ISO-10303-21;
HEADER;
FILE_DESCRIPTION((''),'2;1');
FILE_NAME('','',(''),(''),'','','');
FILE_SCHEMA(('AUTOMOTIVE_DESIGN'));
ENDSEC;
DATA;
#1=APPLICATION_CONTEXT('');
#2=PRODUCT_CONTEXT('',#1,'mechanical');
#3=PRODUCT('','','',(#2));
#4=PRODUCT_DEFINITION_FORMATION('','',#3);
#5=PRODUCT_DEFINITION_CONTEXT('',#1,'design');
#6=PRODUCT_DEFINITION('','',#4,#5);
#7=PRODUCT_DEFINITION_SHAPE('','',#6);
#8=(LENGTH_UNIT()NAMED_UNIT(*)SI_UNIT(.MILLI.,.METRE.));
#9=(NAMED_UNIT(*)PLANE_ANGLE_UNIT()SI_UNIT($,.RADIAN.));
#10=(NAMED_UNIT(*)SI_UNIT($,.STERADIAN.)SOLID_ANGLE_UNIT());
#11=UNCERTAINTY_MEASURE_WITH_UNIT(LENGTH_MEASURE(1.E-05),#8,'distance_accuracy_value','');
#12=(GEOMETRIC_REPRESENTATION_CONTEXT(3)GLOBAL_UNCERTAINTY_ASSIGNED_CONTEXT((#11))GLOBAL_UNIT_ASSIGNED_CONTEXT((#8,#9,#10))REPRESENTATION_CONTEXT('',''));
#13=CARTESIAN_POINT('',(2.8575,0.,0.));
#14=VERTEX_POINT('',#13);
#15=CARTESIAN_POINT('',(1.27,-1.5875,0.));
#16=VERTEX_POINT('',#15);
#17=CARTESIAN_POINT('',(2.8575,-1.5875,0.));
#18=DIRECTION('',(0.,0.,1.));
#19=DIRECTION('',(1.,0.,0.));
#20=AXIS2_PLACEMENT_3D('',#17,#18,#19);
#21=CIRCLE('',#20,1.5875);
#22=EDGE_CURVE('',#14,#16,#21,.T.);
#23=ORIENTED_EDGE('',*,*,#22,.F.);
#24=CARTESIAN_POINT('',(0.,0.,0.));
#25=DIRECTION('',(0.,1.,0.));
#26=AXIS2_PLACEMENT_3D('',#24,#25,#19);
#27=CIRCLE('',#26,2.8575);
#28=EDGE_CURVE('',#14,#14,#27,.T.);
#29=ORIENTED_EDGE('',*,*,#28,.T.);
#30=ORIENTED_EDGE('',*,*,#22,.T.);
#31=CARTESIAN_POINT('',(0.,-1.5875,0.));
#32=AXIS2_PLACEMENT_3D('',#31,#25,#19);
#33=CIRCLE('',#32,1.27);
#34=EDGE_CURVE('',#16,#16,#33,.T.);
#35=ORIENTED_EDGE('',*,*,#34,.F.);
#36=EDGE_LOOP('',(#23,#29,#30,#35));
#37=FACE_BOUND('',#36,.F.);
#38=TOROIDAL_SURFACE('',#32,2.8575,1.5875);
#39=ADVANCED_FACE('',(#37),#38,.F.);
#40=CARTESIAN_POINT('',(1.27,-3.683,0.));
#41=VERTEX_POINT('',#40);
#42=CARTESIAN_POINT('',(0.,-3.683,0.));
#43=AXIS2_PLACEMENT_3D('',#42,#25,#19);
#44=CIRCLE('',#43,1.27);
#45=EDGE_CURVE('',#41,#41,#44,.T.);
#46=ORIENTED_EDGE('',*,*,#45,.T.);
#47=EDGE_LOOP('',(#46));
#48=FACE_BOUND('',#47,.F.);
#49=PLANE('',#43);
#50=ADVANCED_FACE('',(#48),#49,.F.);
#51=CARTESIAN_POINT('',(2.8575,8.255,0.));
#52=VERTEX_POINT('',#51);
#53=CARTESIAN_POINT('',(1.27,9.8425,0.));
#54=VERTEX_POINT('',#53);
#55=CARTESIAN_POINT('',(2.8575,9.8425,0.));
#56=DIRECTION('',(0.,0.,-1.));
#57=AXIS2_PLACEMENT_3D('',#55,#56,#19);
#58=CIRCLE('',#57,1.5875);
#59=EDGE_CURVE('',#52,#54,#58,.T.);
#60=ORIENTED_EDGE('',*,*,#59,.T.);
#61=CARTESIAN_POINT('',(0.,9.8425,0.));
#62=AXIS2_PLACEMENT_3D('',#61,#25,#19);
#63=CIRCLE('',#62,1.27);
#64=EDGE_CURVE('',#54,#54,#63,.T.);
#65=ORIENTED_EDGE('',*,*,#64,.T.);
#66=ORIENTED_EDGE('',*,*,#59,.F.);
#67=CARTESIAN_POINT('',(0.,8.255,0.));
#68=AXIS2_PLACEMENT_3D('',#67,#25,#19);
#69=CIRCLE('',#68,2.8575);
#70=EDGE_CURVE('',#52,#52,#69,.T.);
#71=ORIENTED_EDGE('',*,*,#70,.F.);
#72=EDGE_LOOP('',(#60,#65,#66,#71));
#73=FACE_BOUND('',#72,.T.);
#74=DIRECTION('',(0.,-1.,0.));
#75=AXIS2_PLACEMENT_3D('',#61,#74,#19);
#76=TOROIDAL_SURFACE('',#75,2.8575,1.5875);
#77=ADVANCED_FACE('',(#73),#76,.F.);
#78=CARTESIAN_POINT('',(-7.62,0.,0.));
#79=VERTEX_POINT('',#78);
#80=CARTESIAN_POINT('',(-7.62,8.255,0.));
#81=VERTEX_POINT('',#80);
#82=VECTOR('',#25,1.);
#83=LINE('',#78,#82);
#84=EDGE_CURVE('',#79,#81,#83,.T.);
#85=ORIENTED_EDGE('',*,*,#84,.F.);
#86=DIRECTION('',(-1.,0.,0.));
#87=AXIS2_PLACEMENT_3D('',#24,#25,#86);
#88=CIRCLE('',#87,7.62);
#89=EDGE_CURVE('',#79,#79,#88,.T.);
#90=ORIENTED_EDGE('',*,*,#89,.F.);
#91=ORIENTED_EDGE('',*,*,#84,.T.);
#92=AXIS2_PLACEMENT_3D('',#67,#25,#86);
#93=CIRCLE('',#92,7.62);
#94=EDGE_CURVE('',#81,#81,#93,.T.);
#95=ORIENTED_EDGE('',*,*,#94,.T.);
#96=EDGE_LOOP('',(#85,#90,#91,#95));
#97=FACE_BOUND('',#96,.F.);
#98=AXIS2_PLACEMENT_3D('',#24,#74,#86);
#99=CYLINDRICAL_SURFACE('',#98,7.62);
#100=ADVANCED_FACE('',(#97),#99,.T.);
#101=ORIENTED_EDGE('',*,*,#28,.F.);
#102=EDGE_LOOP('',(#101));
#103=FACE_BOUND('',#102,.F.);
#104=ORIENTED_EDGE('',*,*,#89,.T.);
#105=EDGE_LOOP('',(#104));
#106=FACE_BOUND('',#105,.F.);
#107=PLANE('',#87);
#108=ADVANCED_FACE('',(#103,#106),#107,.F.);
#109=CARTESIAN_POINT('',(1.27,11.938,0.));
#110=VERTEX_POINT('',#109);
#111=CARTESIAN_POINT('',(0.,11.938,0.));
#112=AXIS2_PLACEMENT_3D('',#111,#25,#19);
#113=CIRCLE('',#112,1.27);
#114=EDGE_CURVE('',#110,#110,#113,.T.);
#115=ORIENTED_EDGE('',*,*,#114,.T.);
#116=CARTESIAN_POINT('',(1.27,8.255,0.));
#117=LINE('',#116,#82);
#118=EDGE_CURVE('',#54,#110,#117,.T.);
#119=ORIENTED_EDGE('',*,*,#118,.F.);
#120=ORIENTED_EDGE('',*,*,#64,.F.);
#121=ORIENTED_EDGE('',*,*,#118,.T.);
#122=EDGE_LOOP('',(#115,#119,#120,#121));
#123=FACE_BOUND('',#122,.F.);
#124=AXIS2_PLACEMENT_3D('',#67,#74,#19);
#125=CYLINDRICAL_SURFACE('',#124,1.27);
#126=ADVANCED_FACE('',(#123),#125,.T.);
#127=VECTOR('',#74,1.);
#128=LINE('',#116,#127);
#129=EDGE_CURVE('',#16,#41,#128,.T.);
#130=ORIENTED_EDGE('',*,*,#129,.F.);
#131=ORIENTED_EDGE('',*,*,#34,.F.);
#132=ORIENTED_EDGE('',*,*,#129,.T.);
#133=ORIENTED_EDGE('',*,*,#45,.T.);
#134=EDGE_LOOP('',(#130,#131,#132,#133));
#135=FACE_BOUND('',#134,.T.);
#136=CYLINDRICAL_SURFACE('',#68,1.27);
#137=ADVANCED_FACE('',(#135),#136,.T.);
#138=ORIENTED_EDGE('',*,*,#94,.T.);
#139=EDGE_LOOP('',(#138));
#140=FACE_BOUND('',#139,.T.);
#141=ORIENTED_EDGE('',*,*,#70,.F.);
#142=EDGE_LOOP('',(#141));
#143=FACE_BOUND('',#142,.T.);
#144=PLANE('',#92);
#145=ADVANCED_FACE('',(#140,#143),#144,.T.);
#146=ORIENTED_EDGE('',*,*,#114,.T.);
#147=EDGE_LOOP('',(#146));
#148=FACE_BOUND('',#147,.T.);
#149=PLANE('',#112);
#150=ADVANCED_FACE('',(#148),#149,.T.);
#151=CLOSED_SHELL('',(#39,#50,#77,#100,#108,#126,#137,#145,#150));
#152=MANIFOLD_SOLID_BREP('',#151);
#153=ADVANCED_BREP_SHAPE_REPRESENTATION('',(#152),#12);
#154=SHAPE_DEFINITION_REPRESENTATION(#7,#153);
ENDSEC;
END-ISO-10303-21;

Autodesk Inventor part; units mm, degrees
ref_plane "YZ Plane" through (0, 0, 0) normal (1, 0, 0) x (0, 1, 0)
ref_plane "XZ Plane" through (0, 0, 0) normal (0, 1, 0) x (-1, 0, 0)
ref_plane "XY Plane" through (0, 0, 0) normal (0, 0, 1) x (1, 0, 0)
sketch "Sketch1" plane through (0, 0, 0) normal (0, 1, 0) x (-1, 0, 0)
  circle A0 centre (0, 0) radius 7.62
  dimension "d0" = 15.24
extrude "Extrusion1" add sketch "Sketch1" along normal blind 8.255
sketch "Sketch2" plane through (0, 8.255, 0) normal (0, 1, 0) x (1, 0, 0)
  circle A0 centre (0, 0) radius 7.62 projected
  circle A1 centre (0, 0) radius 1.27
  dimension "d3" = 2.54
extrude "Extrusion2" add sketch "Sketch2" along normal blind 3.683 and the other way blind 11.938 contours A1
fillet "Fillet1" radius 1.5875 2 edges at (-1.27, 0, 0) (-1.27, 8.255, 0)
sketch "Sketch3" plane through (0, 8.255, 0) normal (0, 1, 0) x (1, 0, 0)
  circle A0 centre (0, 0) radius 7.62 projected
  circle A1 centre (0, 0) radius 2.8575 projected
properties part number "X Pulley"
